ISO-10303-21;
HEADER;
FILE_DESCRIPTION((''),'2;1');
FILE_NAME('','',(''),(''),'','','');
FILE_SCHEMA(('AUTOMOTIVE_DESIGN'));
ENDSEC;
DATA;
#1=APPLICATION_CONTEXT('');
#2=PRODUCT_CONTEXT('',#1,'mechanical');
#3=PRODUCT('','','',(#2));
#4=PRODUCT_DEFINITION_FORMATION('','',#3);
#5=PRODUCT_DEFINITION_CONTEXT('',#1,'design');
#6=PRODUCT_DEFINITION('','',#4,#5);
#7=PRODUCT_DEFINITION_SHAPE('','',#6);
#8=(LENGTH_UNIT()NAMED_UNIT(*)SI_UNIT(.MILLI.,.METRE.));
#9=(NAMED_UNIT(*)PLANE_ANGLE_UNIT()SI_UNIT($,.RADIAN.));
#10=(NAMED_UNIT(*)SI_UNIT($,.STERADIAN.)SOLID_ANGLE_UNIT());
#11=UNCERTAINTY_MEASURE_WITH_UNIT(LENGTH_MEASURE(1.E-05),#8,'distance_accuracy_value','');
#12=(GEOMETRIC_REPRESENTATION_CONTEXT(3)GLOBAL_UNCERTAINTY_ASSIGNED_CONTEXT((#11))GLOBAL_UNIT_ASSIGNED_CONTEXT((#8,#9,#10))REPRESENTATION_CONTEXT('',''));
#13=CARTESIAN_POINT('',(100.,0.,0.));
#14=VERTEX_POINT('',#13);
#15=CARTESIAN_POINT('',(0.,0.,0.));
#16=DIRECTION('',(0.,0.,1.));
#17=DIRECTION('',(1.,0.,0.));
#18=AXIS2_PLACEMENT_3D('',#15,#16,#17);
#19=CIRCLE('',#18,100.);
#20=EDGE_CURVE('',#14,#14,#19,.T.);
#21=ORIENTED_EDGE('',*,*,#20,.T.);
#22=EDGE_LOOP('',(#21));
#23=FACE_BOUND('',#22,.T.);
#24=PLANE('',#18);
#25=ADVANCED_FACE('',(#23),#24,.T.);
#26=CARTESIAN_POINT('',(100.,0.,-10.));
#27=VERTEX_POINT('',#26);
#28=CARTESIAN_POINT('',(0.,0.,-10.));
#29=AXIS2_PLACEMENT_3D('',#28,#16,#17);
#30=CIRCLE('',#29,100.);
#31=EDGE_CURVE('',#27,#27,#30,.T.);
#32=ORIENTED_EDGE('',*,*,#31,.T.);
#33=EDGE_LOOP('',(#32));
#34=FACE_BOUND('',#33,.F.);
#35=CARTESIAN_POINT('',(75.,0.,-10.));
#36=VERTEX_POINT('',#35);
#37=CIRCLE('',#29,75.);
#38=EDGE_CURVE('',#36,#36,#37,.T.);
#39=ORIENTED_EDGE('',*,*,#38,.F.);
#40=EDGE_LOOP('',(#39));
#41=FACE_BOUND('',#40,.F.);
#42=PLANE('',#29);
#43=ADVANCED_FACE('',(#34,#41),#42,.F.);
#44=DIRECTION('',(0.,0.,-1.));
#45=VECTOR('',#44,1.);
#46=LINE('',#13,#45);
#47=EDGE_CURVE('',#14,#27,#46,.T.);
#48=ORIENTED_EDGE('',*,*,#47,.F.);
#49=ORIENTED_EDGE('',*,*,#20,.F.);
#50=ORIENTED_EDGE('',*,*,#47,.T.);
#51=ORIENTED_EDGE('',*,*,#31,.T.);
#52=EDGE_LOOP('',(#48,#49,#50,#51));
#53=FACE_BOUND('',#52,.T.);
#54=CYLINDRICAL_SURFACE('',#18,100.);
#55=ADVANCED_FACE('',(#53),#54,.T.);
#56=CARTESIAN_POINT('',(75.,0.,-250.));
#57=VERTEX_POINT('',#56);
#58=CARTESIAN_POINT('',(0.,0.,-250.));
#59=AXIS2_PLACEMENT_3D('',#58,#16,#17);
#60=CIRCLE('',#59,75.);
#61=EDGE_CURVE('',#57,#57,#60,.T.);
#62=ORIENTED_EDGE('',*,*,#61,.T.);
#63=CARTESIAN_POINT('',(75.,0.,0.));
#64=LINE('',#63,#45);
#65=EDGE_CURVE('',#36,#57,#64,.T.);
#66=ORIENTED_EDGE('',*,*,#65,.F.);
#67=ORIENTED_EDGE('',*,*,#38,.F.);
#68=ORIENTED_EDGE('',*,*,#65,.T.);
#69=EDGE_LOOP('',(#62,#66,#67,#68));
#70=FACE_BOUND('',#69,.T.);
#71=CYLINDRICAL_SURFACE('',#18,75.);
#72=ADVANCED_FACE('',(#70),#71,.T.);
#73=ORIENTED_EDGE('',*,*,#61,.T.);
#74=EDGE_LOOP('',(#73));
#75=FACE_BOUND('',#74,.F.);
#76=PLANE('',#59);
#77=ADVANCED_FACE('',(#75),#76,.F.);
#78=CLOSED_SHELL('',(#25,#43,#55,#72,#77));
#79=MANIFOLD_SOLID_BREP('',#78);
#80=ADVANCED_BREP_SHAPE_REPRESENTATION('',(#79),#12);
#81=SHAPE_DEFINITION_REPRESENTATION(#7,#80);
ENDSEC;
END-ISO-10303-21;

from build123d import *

# Parameters (mm, degrees)
F1_R     = 100
F1_R_2   = 75
F2_DEPTH = 10
F3_DEPTH = 250


with BuildPart() as f2:
    # F1 (on face) → F2 (new body)
    with BuildSketch(Plane.XY):
        Circle(F1_R)
        Circle(F1_R_2, mode=Mode.SUBTRACT)
    extrude(amount=-F2_DEPTH)

    # F1 (on face) → F3 (join)
    with BuildSketch(Plane.XY):
        Circle(F1_R_2)
    extrude(amount=-F3_DEPTH)


solid = f2.part
